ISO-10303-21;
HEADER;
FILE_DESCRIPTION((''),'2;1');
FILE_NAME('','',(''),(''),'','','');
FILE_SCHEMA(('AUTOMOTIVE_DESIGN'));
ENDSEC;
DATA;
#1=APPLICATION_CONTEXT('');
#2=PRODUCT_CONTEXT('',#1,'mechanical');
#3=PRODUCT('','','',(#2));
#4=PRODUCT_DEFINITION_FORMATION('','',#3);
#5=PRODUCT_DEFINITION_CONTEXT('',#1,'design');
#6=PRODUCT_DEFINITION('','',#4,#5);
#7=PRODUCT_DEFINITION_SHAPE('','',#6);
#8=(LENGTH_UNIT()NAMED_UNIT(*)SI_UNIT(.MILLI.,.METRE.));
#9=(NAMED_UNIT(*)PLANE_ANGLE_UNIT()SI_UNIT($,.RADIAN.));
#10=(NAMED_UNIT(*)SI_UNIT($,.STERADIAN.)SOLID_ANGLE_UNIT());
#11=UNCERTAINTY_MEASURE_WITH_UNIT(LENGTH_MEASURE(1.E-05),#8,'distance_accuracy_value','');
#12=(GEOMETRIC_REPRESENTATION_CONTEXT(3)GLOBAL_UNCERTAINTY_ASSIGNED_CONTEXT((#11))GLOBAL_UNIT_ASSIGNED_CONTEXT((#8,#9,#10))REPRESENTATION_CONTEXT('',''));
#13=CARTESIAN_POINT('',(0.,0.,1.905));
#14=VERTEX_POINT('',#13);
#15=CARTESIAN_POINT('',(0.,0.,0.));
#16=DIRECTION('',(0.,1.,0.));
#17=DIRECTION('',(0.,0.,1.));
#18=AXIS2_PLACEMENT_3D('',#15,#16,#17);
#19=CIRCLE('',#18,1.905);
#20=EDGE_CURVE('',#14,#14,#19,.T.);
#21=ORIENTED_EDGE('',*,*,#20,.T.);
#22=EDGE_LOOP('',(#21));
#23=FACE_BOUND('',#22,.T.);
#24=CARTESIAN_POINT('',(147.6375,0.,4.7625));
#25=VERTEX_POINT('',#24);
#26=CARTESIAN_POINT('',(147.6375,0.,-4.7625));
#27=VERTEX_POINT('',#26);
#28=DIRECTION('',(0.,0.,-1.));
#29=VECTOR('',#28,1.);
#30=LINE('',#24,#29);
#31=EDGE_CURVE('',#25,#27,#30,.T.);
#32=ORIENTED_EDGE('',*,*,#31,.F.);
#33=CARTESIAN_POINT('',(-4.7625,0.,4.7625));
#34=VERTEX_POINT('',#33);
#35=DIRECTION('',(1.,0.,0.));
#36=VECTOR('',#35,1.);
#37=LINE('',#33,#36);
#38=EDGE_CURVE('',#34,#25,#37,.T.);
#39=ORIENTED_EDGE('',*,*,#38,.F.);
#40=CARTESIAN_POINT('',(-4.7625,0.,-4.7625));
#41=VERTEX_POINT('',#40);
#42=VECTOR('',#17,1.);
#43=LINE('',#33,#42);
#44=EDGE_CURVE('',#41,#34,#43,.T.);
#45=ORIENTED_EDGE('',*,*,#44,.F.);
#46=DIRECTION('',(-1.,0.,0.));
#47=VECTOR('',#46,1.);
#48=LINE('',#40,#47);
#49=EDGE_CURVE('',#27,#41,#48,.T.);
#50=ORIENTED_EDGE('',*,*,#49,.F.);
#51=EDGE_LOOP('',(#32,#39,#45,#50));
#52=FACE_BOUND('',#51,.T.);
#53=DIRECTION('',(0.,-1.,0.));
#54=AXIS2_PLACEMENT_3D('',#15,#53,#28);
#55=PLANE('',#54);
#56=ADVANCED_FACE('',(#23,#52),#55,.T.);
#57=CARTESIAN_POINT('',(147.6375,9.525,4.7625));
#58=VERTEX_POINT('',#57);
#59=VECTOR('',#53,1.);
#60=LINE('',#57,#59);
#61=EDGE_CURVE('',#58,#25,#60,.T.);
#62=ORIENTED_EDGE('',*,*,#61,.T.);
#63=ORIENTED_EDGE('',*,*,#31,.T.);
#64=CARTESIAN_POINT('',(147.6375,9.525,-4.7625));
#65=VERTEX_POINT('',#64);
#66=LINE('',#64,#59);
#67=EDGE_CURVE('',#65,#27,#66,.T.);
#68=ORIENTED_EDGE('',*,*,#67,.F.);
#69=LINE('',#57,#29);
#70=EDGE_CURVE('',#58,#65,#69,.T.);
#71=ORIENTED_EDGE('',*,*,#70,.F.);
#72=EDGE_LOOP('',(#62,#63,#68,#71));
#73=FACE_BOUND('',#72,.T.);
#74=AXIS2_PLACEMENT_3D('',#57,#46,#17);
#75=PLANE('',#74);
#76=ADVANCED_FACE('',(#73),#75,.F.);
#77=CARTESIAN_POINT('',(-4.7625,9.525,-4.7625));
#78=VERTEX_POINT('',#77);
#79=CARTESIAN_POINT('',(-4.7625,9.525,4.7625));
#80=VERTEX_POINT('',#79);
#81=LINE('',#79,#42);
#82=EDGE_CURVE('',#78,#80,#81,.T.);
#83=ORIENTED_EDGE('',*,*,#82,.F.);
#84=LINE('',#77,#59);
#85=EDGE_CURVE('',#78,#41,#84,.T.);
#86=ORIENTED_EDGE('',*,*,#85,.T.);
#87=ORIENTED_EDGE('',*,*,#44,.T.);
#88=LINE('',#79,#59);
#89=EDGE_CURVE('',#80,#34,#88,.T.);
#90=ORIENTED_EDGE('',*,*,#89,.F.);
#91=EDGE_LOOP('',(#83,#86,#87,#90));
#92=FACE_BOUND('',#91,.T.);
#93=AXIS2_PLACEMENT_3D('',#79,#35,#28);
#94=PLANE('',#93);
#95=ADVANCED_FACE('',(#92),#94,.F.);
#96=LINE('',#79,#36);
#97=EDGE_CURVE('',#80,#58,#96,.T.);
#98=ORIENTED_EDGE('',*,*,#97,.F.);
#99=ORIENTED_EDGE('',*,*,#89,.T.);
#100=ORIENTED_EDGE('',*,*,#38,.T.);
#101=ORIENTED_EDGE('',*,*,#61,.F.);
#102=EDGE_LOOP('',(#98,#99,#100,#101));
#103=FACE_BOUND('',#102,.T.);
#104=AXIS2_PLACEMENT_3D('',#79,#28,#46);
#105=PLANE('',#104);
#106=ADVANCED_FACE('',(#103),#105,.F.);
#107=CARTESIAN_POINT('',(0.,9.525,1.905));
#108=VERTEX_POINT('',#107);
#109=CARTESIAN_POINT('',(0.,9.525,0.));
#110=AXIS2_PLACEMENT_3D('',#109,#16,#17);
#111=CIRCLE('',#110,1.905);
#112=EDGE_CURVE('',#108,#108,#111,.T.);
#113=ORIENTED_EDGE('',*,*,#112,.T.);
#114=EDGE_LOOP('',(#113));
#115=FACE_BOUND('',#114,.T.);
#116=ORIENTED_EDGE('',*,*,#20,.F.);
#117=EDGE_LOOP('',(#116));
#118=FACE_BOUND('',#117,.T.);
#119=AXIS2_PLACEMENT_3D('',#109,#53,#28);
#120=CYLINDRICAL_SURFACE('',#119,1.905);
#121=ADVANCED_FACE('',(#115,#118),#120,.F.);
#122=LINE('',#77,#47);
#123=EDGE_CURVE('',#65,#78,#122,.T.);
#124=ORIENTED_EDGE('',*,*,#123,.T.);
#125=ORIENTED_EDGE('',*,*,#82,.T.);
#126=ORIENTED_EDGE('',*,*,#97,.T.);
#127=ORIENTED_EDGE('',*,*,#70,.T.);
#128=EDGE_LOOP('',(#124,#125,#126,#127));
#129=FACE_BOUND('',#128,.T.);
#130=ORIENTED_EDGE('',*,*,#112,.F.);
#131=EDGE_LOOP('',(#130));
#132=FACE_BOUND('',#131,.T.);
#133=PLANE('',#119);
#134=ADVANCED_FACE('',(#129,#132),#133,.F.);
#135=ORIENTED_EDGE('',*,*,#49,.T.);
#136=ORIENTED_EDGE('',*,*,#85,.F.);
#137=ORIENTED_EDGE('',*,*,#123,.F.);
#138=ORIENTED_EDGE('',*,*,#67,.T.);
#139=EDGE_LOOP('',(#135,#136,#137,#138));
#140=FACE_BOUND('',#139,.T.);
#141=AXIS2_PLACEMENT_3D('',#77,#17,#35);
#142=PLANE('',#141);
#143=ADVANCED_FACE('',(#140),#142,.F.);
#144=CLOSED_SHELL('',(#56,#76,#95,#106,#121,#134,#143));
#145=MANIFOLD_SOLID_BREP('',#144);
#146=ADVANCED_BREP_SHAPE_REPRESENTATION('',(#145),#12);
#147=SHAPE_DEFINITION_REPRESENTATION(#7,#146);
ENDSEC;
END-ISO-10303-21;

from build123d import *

# Parameters (mm, degrees)
SKETCH1_W           = 152.4
SKETCH1_H           = 9.525
SKETCH1_R           = 1.905
BOSS_EXTRUDE1_DEPTH = 9.525


with BuildPart() as part:
    # Sketch1 → Boss-Extrude1 (new body)
    with BuildSketch(Plane(origin=(0, 0, 0), x_dir=(1, 0, 0), z_dir=(0, 1, 0))):
        with Locations((71.4375, 0)):
            Rectangle(SKETCH1_W, SKETCH1_H)
        Circle(SKETCH1_R, mode=Mode.SUBTRACT)
    extrude(amount=BOSS_EXTRUDE1_DEPTH)


solid = part.part
